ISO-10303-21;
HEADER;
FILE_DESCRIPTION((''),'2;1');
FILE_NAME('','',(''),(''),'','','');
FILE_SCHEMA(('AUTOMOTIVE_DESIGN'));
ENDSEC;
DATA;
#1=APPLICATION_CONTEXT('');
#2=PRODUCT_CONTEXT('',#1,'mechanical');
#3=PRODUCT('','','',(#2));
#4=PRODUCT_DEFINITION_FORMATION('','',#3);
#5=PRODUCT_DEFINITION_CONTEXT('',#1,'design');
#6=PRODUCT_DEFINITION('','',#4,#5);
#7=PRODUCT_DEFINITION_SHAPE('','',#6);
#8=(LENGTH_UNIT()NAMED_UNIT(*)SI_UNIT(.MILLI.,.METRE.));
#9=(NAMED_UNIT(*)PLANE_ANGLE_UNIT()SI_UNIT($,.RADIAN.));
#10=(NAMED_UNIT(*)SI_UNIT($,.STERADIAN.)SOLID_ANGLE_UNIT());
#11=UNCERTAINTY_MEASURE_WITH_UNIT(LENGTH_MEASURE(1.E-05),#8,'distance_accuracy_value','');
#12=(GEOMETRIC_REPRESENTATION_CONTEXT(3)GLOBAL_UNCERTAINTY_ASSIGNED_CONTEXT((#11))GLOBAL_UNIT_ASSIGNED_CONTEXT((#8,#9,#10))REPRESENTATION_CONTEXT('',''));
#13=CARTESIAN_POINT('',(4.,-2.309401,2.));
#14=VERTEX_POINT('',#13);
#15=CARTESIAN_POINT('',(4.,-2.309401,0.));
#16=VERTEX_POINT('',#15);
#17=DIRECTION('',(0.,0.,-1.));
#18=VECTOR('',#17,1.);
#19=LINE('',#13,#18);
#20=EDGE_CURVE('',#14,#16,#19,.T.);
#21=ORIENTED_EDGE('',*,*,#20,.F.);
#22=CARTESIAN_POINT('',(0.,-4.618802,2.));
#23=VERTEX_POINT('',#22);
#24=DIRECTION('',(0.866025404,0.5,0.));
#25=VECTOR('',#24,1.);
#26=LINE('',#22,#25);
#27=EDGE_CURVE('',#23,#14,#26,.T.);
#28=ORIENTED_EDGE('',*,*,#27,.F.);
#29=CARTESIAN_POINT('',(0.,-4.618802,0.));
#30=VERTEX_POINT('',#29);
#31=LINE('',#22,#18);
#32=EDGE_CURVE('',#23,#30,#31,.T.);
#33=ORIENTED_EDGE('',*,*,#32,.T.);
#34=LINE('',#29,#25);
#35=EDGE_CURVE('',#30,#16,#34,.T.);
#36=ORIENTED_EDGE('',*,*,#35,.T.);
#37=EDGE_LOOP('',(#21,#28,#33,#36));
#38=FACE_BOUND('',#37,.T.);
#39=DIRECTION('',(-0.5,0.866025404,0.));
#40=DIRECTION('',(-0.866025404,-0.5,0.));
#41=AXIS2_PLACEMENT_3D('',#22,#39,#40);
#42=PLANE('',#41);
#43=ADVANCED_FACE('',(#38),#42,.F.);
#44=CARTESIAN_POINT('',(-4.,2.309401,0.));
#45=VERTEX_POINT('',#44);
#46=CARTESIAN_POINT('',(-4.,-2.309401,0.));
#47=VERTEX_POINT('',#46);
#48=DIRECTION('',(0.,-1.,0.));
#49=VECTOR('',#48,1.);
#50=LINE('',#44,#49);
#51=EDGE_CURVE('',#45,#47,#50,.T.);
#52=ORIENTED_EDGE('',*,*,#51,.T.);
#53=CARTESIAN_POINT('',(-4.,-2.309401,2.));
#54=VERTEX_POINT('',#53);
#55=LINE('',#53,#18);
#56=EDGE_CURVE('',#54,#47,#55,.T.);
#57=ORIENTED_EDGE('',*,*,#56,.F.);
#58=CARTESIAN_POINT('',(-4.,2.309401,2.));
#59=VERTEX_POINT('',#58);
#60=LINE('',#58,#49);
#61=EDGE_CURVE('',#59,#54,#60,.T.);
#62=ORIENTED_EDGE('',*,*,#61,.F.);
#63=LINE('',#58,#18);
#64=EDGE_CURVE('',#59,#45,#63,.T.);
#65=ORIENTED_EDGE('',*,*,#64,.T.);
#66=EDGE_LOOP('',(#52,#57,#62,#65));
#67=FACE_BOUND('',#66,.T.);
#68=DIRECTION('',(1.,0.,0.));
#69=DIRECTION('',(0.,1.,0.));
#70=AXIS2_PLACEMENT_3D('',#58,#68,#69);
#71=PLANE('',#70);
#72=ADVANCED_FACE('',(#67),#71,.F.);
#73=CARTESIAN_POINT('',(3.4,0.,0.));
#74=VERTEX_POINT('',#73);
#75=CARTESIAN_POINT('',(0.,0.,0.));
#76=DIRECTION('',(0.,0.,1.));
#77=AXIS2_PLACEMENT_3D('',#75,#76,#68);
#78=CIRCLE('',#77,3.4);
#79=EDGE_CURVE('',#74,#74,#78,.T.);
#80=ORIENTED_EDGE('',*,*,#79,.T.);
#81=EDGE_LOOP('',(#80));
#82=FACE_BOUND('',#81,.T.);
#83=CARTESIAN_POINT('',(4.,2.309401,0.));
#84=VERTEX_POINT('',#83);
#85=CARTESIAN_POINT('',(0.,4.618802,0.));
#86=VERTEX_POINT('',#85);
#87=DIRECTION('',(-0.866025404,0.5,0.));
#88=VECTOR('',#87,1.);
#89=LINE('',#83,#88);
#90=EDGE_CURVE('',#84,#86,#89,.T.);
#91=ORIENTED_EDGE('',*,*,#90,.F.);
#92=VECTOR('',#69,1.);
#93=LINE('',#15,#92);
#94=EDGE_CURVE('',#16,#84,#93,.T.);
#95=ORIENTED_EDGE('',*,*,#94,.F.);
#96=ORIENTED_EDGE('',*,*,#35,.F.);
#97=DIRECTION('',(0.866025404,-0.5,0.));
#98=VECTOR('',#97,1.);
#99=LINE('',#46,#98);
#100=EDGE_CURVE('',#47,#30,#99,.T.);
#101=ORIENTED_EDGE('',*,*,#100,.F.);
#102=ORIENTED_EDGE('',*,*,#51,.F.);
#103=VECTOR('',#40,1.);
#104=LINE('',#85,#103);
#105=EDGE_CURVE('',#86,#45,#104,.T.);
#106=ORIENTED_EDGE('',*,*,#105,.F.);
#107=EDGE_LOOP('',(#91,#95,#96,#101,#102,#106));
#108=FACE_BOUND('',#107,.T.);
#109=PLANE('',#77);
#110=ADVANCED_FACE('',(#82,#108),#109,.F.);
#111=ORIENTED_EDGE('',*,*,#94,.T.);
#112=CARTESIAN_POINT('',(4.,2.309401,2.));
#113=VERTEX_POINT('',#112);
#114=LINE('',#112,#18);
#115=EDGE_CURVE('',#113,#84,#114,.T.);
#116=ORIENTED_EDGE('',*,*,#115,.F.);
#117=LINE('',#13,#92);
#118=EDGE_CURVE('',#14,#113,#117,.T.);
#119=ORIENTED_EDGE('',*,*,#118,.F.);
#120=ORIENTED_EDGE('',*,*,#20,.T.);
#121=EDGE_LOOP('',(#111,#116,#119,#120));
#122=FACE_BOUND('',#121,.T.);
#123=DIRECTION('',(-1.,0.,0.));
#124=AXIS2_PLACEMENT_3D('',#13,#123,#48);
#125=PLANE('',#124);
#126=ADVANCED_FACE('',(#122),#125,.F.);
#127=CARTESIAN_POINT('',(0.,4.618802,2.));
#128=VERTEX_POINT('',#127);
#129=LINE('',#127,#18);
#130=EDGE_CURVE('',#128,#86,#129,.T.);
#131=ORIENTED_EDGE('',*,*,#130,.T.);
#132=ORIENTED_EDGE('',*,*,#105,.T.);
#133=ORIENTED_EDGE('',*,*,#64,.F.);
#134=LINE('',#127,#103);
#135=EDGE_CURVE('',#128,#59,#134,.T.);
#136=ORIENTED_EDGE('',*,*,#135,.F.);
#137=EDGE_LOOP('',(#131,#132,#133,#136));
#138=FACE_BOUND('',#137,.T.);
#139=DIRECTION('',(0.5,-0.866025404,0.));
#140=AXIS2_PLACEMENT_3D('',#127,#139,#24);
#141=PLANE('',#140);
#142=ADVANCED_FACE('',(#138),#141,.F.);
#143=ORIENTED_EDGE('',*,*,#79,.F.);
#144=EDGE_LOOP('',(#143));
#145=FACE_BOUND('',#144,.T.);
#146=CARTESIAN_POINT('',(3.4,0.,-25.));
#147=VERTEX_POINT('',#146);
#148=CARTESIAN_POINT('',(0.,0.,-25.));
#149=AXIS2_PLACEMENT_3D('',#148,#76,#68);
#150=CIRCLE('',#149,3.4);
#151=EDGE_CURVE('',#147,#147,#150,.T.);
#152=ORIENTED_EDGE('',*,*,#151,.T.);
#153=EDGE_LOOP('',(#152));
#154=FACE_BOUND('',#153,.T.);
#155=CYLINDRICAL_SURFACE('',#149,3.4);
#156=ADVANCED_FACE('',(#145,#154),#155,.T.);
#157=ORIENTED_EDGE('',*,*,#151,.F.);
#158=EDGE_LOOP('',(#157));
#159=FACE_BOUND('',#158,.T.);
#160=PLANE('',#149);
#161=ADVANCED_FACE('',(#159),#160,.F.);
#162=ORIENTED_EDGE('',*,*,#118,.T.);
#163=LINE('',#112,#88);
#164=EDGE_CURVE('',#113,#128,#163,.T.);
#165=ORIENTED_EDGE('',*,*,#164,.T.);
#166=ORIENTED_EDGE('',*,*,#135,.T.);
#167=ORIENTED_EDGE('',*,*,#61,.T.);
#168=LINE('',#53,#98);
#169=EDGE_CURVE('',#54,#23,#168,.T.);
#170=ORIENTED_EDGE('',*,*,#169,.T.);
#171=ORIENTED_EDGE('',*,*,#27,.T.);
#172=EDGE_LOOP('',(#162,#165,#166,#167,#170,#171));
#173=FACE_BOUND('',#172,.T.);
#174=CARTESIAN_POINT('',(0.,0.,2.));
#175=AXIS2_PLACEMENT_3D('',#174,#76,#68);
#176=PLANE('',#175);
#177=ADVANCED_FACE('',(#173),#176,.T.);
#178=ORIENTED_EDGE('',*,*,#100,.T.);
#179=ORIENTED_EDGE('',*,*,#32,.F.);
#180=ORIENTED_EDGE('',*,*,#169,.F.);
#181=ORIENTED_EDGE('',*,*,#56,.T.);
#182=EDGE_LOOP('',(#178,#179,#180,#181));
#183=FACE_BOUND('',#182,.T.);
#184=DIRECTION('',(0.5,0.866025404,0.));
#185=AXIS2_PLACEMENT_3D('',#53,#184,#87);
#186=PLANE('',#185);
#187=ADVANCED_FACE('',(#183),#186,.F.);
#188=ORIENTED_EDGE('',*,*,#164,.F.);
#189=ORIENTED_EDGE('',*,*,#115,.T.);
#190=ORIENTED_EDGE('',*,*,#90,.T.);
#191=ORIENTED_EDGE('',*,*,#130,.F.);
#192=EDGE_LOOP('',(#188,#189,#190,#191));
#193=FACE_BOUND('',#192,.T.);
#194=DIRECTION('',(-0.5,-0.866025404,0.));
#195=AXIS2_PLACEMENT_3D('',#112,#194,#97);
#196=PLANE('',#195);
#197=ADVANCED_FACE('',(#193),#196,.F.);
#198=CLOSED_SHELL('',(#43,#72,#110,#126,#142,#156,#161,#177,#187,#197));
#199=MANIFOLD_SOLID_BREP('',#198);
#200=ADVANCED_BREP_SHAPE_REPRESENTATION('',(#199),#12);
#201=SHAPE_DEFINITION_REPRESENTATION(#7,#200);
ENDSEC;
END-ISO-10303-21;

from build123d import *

# Parameters (mm, degrees)
SKETCH1_R           = 3.4
BOSS_EXTRUDE1_DEPTH = 25
BOSS_EXTRUDE2_DEPTH = 2


with BuildPart() as part:
    # Sketch1 → Boss-Extrude1 (new body)
    with BuildSketch(Plane.XY):
        Circle(SKETCH1_R)
    extrude(amount=-BOSS_EXTRUDE1_DEPTH)

    # Sketch2 → Boss-Extrude2 (add)
    with BuildSketch(Plane.XY):
        Polygon((-4, -2.309401077), (0, -4.618802154), (4, -2.309401077), (4, 2.309401077), (0, 4.618802154), (-4, 2.309401077), align=None)
    extrude(amount=BOSS_EXTRUDE2_DEPTH)


solid = part.part
